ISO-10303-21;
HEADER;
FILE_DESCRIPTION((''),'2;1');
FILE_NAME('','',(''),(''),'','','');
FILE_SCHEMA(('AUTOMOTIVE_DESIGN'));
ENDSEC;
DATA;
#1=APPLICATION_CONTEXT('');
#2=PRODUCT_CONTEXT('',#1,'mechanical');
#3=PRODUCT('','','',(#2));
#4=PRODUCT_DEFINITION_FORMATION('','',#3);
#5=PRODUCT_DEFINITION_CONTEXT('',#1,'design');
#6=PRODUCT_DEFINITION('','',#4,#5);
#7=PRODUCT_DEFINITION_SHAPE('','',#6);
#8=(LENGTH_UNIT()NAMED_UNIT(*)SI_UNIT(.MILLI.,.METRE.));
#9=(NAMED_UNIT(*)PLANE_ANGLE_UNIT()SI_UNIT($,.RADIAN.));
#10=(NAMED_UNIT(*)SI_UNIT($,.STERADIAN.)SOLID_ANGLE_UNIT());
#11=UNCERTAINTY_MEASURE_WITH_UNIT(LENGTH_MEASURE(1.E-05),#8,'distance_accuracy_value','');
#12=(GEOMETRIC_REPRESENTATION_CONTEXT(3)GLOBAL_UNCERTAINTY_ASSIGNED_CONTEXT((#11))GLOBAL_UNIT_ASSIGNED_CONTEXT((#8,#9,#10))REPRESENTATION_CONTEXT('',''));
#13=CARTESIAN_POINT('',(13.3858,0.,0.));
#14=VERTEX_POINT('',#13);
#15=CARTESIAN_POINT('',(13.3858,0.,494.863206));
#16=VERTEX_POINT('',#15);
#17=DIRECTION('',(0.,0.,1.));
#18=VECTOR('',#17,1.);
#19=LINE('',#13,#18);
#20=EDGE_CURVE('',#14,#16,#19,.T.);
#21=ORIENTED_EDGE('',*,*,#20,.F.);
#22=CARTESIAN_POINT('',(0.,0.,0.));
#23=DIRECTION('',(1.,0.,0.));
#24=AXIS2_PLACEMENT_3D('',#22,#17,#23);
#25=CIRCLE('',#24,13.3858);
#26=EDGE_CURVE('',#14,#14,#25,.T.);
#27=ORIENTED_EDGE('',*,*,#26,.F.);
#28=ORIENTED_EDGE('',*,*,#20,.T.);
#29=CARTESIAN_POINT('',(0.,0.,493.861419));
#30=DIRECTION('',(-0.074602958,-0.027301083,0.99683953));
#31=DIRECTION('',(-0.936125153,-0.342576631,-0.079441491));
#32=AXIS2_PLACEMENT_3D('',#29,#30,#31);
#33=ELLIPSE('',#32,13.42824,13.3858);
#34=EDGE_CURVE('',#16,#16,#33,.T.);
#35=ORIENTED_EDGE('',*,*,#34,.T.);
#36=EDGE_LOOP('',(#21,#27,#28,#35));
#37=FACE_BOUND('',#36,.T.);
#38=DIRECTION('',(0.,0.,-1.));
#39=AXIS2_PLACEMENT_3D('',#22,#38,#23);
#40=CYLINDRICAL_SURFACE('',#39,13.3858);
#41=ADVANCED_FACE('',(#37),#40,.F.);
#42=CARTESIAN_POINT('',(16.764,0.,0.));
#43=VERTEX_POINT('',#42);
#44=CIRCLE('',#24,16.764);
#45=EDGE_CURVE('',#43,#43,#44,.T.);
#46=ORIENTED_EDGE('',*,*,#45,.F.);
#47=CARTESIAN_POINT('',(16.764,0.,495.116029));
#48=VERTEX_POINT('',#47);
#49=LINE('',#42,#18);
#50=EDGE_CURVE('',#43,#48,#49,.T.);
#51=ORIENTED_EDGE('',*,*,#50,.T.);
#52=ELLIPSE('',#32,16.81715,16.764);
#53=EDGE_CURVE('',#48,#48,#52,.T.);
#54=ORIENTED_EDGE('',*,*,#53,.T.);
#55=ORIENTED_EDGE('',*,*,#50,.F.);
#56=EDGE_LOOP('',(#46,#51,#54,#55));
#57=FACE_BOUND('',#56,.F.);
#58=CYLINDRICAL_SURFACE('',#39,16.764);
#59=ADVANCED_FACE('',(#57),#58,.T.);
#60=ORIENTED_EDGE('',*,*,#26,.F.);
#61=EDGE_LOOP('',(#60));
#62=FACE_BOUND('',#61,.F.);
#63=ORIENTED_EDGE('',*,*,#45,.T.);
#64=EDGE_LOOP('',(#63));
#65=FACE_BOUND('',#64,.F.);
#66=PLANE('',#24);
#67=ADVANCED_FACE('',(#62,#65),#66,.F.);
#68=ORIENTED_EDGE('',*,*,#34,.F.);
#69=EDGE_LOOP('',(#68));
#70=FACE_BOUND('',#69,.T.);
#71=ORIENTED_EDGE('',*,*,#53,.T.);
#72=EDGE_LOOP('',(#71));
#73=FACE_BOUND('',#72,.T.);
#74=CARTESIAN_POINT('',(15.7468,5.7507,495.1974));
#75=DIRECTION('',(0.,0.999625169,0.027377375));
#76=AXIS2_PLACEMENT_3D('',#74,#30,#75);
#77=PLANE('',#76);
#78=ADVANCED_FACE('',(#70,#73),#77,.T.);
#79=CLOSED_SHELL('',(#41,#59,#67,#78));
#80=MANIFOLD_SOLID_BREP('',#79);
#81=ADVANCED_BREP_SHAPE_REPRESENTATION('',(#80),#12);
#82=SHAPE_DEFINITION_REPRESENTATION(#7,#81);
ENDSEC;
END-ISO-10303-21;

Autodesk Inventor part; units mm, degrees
ref_plane "Start plane" through (0, 0, 0) normal (0, 0, 1) x (1, 0, 0)
ref_plane "End plane" through (0, 0, 495.5746) normal (0, 0, 1) x (1, 0, 0)
sketch "Sketch" plane through (0, 0, 0) normal (0, 0, 1) x (1, 0, 0)
  circle A0 centre (0, 0) radius 13.3858
  circle A1 centre (0, 0) radius 16.764
  dimension "d0" = 33.528
  dimension "d1" = 3.3782
extrude "Body" add sketch "Sketch" along normal up to surface (495.5746 mm away) from surface at 0
sketch "Sketch3" plane through (0, 0, 0) normal (0, 0, 1) x (1, 0, 0)
  line L0 (0, 0) -> (10, 0)
ref_plane "Work Plane3" through (0, 0, 0) normal (0, -1, 0) x (1, 0, 0)
ref_plane "Work Plane4" through (15.7468, 5.7507, 495.1974) normal (-0.0746, -0.0273, 0.9968) x (0.9972, -0.001, 0.0746)
split "Split1" plane through (15.7468, 5.7507, 495.1974) removes the side toward (-0.0746, -0.0273, 0.9968)
sketch "Sketch4" plane through (0, 0, 0) normal (0, -1, 0) x (1, 0, 0)
  line L0 (-2, 0) -> (12, 0) projected
  line L1 (-2, 495.5746) -> (12, 495.5746) projected
  dimension "d7" = 495.5746
equation "\"d0\" = G_H"
equation "\"d1\" = G_T"
equation "\"d2\" = G_L"
equation "\"G_H\" = 33.528"
equation "\"G_T\" = 3.3782"
equation "\"G_L\" = 495.19737"
equation "\"G_OFFSET_START\" = 0"
equation "\"G_OFFSET_END\" = 1.71338"
equation "\"d5\" = G_OFFSET_END + B_L"
equation "\"B_L\" = 493.86125"
properties part number "ANSI - 1 x 0.133 - 19.496" material "Steel, Mild"
